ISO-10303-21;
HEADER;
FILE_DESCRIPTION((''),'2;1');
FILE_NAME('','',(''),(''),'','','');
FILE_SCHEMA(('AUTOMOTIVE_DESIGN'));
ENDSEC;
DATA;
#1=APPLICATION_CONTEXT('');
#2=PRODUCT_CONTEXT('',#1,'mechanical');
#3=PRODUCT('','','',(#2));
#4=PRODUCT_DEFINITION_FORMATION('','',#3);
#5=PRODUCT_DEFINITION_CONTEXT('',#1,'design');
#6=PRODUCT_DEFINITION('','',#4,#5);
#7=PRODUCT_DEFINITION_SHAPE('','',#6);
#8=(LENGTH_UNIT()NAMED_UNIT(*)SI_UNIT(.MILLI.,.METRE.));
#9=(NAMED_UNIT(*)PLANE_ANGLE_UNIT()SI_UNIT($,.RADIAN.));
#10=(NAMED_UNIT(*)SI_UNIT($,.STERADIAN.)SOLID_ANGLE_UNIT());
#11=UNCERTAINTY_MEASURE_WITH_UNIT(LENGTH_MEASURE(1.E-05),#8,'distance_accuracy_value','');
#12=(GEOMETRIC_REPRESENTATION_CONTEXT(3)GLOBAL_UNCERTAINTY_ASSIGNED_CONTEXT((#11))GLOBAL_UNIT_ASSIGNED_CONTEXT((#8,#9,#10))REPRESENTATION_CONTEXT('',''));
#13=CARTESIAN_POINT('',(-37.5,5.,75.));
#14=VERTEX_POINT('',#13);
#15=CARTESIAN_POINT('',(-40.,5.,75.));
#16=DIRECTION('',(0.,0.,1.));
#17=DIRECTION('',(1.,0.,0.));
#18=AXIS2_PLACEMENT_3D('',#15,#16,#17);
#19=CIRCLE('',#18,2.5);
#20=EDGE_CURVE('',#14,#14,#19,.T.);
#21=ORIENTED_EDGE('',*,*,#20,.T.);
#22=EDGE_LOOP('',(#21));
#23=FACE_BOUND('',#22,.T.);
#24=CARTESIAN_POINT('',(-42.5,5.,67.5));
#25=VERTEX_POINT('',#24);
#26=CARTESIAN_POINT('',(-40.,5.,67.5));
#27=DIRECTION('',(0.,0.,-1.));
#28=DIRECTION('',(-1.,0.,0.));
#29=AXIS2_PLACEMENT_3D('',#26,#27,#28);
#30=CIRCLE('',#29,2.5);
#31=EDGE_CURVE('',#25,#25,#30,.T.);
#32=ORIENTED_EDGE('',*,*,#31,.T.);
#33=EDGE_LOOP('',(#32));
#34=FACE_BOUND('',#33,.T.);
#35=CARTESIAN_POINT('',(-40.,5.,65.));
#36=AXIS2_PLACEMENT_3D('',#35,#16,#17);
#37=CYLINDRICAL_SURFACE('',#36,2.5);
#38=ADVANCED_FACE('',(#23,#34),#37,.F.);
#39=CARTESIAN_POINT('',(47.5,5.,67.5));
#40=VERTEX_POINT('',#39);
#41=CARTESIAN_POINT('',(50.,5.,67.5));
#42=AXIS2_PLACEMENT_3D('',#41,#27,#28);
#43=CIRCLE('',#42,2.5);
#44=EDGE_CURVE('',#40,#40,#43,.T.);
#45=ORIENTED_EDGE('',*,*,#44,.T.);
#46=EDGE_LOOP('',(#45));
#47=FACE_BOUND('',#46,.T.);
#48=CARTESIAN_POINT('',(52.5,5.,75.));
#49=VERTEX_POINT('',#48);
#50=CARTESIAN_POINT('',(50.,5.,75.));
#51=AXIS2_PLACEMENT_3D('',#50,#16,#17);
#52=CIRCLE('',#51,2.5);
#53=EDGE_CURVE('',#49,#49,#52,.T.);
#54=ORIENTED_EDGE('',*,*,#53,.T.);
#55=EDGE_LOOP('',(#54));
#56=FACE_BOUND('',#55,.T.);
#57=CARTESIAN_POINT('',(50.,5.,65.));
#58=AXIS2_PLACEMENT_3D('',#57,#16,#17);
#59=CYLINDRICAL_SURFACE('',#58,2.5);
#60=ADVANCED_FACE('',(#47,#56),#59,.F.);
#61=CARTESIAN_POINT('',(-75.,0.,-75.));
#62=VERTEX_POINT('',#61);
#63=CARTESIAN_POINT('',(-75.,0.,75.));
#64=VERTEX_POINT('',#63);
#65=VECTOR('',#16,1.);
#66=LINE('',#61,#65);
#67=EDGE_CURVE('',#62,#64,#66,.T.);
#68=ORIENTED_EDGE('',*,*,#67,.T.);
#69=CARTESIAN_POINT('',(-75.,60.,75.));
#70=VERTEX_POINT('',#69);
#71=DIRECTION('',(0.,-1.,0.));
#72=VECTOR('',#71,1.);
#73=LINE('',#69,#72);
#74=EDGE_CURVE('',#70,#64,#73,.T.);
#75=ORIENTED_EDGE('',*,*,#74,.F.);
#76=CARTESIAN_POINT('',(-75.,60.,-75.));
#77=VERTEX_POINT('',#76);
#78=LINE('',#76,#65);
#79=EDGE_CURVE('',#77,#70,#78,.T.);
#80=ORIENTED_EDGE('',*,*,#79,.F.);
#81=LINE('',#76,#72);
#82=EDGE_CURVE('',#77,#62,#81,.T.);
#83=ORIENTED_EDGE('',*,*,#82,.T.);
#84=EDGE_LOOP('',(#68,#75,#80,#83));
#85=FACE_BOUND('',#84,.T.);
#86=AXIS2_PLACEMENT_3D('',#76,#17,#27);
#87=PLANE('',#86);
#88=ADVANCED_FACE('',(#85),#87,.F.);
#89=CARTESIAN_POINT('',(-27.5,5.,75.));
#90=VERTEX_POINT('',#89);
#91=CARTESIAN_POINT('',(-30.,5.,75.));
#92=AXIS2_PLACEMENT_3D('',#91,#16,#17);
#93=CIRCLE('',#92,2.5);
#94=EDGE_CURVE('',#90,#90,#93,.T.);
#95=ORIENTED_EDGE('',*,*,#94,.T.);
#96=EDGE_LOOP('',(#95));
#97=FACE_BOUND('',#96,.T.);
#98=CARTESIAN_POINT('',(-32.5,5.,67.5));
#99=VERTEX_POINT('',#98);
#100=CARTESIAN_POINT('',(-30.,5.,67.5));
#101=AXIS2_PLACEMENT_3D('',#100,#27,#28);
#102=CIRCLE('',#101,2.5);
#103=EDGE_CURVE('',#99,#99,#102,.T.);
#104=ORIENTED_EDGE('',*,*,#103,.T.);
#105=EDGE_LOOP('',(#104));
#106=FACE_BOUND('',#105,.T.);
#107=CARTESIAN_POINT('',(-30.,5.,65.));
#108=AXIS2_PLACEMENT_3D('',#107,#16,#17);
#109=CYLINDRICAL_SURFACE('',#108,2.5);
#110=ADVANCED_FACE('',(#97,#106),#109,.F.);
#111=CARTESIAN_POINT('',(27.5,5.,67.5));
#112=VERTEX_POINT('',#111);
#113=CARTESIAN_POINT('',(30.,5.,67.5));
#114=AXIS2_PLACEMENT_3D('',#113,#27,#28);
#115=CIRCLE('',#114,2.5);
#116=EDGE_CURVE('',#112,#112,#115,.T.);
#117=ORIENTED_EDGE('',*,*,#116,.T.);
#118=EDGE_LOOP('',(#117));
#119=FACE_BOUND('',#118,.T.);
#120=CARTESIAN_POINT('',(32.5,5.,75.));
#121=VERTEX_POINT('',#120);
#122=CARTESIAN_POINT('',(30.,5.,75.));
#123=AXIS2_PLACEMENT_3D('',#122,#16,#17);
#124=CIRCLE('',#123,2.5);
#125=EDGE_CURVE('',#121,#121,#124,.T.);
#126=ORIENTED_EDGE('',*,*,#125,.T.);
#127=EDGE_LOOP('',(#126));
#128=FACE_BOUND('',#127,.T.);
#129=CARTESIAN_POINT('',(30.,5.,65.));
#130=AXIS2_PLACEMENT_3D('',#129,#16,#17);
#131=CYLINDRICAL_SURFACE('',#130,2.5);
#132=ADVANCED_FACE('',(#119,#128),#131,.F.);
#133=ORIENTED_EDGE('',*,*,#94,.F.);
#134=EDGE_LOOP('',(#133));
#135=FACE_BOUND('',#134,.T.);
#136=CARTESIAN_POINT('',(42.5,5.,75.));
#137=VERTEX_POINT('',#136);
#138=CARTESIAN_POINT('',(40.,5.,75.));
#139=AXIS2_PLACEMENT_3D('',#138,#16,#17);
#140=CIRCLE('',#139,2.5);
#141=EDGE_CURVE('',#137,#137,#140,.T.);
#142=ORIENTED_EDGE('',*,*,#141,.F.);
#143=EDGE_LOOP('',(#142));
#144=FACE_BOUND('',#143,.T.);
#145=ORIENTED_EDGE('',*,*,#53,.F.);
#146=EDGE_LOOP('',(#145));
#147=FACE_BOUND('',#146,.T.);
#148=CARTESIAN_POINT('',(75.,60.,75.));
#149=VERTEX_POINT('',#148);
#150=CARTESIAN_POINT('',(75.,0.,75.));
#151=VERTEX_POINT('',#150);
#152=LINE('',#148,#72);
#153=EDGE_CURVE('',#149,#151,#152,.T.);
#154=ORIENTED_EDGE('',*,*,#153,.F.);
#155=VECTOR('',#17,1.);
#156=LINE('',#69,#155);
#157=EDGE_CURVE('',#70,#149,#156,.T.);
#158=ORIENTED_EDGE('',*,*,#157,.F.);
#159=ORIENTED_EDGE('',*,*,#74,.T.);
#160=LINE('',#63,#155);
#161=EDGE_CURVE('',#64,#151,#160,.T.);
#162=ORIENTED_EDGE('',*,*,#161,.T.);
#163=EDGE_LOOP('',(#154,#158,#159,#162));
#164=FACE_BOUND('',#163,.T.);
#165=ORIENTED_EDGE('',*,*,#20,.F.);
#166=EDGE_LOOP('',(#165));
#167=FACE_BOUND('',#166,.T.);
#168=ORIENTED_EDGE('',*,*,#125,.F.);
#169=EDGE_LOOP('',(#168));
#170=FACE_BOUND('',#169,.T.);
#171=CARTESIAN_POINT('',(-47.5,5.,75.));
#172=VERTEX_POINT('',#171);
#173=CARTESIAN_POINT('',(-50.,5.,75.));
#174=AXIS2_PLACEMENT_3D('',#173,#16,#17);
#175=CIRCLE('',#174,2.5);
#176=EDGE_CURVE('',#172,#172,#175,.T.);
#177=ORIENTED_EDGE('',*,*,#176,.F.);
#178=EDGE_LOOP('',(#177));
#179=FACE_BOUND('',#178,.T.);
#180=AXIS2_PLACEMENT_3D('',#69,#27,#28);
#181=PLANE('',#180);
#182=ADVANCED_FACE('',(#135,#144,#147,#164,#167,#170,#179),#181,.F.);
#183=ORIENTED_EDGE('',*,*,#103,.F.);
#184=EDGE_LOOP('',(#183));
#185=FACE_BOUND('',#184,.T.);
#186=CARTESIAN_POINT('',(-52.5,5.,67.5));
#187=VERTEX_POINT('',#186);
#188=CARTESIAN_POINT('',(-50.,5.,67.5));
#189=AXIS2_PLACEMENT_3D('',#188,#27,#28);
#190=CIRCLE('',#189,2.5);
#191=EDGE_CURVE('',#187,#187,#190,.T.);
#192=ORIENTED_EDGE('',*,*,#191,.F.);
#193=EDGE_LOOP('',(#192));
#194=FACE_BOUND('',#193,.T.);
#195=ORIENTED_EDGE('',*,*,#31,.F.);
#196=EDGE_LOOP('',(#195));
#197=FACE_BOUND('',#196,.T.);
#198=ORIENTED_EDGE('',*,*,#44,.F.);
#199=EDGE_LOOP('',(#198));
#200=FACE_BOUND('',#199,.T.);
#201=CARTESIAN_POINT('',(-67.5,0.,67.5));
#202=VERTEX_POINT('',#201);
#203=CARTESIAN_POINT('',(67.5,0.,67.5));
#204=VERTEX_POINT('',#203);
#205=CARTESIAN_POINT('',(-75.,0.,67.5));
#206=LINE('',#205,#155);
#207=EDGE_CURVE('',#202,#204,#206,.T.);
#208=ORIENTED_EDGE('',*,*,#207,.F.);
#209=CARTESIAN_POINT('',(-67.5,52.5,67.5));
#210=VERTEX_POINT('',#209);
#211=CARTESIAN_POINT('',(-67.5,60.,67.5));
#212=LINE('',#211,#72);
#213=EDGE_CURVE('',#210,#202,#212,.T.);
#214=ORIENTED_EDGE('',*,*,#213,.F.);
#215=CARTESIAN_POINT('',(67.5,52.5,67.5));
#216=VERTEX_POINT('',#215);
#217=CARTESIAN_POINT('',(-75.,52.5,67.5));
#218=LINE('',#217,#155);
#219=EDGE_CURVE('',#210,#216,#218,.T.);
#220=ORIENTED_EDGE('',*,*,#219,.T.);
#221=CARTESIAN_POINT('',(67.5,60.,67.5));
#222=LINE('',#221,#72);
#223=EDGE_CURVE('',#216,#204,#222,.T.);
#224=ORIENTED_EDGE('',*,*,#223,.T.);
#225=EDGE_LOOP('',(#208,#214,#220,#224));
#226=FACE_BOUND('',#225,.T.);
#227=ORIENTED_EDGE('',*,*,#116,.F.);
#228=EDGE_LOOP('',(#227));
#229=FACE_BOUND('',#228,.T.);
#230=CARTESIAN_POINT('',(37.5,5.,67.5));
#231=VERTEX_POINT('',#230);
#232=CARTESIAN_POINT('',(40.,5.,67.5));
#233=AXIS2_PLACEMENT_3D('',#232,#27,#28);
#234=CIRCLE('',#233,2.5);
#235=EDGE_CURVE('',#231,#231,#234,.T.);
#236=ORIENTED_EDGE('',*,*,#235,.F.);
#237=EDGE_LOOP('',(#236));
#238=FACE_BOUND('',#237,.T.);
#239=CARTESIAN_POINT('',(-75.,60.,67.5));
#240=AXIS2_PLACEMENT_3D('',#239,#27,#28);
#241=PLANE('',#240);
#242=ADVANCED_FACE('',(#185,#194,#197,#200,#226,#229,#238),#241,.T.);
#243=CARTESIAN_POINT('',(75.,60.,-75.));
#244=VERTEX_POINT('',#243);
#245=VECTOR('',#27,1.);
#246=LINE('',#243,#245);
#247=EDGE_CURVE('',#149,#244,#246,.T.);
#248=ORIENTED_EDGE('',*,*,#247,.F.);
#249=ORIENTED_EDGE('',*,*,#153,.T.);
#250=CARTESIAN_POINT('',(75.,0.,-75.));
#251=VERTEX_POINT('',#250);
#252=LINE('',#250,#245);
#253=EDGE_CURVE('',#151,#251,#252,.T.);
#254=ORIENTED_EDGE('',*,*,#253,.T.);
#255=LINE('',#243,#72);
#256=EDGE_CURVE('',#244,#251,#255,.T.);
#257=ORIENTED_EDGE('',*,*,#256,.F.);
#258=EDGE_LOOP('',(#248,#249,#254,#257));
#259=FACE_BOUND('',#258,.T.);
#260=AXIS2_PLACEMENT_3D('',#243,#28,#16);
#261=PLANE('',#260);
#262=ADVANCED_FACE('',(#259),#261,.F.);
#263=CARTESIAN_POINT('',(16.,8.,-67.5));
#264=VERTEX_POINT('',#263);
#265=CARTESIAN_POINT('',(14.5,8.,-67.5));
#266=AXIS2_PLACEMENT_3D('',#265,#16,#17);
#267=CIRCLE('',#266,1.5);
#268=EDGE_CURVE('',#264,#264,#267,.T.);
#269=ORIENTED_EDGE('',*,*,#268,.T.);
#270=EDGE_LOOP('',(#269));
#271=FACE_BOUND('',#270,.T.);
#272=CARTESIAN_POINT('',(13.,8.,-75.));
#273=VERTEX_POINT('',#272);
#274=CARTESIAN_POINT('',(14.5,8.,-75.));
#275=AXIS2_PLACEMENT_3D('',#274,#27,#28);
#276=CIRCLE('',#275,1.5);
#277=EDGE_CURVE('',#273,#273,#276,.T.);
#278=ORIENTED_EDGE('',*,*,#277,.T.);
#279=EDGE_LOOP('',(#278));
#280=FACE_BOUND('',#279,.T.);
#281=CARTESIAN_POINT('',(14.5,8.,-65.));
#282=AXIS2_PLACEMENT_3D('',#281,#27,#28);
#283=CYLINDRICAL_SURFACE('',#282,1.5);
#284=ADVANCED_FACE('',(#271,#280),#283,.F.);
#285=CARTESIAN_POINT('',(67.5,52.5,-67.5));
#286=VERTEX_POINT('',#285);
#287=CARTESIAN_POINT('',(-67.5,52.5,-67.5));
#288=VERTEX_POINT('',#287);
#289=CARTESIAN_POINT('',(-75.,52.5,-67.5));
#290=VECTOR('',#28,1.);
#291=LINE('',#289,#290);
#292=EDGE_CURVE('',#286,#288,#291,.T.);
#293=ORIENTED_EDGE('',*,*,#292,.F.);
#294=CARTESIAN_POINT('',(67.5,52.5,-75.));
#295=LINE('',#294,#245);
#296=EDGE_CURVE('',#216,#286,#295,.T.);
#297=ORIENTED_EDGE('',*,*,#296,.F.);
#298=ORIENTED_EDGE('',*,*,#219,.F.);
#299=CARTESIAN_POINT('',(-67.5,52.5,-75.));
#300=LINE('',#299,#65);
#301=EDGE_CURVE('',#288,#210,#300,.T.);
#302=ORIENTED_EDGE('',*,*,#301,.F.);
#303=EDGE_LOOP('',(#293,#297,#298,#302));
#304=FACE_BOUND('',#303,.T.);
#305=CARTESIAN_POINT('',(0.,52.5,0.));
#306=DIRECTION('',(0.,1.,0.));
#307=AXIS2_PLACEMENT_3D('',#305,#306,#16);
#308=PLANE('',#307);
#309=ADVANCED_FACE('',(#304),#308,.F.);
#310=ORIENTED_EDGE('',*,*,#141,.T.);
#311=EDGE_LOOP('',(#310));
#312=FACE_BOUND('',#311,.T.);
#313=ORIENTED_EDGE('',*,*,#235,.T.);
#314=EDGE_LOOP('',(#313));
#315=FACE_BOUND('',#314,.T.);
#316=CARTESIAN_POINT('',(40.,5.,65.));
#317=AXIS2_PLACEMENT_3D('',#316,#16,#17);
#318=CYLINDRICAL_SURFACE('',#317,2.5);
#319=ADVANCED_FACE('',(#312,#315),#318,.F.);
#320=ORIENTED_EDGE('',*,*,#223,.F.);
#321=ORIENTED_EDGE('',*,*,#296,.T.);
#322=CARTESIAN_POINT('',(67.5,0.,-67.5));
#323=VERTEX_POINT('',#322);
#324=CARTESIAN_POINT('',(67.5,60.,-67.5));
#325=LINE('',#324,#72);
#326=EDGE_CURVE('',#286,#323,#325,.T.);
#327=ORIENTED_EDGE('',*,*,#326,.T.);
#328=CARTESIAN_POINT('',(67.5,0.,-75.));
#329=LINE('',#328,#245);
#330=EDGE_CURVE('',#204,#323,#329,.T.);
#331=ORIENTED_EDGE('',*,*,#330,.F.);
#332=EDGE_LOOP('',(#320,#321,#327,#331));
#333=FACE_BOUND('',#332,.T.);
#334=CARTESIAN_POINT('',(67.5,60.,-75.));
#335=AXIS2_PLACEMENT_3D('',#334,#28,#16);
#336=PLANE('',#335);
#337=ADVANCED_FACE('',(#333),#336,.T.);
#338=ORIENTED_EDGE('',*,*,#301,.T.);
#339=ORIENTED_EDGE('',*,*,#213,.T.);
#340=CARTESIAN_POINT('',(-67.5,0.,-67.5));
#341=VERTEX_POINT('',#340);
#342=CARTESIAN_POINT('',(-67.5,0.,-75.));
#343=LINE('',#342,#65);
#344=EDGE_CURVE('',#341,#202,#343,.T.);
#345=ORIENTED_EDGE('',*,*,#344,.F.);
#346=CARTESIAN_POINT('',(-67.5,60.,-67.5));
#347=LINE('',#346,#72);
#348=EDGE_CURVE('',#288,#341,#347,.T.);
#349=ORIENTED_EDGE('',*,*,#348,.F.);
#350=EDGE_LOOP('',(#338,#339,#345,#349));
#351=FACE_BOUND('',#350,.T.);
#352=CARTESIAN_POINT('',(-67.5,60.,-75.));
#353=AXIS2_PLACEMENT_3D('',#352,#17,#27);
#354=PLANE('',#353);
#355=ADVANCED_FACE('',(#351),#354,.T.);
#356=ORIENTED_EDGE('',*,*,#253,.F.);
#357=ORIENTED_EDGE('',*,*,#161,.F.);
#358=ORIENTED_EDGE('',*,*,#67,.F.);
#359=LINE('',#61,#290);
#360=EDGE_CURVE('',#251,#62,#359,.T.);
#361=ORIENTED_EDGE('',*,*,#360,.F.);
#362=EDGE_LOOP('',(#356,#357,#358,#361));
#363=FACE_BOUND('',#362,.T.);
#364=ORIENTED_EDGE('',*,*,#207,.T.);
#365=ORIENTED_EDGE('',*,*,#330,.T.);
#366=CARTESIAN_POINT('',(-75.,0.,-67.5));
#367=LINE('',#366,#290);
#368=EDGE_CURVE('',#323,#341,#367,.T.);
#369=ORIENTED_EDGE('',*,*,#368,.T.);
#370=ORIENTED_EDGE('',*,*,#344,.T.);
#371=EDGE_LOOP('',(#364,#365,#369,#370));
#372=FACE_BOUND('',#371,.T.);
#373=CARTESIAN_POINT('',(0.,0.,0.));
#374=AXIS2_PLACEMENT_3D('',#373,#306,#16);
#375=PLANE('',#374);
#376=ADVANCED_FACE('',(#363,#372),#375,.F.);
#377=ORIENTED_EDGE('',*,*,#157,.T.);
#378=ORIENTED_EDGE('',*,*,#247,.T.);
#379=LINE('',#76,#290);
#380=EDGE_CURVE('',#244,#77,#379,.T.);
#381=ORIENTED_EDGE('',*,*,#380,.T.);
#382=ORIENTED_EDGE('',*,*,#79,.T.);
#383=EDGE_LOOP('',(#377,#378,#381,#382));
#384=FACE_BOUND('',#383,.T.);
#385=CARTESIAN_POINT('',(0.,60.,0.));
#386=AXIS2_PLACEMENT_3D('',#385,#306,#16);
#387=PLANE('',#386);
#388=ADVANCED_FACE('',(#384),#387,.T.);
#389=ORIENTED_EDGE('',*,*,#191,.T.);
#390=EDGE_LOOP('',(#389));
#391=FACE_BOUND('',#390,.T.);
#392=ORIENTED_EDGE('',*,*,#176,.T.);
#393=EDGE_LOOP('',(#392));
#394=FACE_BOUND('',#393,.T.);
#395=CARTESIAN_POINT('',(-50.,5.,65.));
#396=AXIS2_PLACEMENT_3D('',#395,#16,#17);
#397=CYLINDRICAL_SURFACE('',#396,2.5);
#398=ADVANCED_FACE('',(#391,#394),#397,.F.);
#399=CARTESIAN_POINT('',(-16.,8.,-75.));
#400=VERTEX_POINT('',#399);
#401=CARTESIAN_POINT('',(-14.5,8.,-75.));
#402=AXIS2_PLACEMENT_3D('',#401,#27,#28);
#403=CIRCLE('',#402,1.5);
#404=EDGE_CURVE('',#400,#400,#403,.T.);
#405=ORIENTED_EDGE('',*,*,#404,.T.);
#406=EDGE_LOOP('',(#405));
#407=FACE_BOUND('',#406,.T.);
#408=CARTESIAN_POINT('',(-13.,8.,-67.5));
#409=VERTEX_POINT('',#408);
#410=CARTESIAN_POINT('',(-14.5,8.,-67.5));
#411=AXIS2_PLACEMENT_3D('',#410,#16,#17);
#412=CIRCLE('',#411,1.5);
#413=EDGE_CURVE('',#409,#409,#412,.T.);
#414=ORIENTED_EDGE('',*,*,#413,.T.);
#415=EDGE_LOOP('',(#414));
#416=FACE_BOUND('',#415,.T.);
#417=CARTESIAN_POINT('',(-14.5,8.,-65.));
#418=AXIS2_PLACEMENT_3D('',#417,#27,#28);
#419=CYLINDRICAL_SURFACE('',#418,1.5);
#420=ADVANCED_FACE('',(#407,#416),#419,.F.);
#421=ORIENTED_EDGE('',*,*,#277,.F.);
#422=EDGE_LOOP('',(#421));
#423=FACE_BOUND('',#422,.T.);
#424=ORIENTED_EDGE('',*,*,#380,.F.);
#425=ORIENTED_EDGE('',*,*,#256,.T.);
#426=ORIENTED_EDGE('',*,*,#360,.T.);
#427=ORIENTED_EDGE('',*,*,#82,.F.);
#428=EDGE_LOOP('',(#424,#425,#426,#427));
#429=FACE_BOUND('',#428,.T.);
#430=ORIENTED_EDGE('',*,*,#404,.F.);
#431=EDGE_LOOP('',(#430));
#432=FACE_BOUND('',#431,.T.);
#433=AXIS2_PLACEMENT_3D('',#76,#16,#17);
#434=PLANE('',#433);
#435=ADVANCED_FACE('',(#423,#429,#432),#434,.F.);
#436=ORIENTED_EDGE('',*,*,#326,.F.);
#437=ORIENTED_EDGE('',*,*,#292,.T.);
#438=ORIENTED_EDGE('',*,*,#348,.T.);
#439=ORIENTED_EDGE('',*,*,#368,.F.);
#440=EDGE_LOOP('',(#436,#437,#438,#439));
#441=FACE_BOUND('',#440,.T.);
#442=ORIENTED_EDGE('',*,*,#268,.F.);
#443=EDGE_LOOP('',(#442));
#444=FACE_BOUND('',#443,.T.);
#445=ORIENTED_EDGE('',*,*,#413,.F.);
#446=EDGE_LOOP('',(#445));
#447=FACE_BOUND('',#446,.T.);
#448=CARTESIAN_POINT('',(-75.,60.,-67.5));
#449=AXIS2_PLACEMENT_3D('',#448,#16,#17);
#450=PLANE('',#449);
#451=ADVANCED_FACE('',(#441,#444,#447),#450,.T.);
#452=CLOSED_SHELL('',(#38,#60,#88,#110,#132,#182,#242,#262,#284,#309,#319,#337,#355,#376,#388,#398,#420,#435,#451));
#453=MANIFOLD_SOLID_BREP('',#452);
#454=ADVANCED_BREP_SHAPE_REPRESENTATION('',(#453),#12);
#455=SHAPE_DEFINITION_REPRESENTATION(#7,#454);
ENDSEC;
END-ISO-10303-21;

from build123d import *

# Parameters (mm, degrees)
SKETCH1_W           = 150
SKETCH1_H           = 150
BOSS_EXTRUDE1_DEPTH = 60
SHELL1_T            = -7.5
SKETCH5_R           = 2.5
CUT_EXTRUDE2_DEPTH  = 10
SKETCH6_R           = 1.5
CUT_EXTRUDE3_DEPTH  = 10


with BuildPart() as part:
    # Sketch1 → Boss-Extrude1 (new body)
    with BuildSketch(Plane(origin=(0, 0, 0), x_dir=(1, 0, 0), z_dir=(0, 1, 0))):
        Rectangle(SKETCH1_W, SKETCH1_H)
    extrude(amount=BOSS_EXTRUDE1_DEPTH)

    # Shell1
    shell1_openings = [part.faces().sort_by_distance(p)[0] for p in [
        (0, 0, 0),
    ]]
    offset(amount=SHELL1_T, openings=shell1_openings, kind=Kind.INTERSECTION)

    # Sketch5 → Cut-Extrude2 (cut)
    with BuildSketch(Plane.XY.offset(75)):
        with Locations((-50, 5)):
            Circle(SKETCH5_R)
        with Locations((-40, 5)):
            Circle(SKETCH5_R)
        with Locations((-30, 5)):
            Circle(SKETCH5_R)
        with Locations((30, 5)):
            Circle(SKETCH5_R)
        with Locations((40, 5)):
            Circle(SKETCH5_R)
        with Locations((50, 5)):
            Circle(SKETCH5_R)
    extrude(amount=-CUT_EXTRUDE2_DEPTH, mode=Mode.SUBTRACT)

    # Sketch6 → Cut-Extrude3 (cut)
    with BuildSketch(Plane(origin=(0, 0, -75), x_dir=(-1, 0, 0), z_dir=(0, 0, -1))):
        with Locations((-14.5, 8)):
            Circle(SKETCH6_R)
        with Locations((14.5, 8)):
            Circle(SKETCH6_R)
    extrude(amount=-CUT_EXTRUDE3_DEPTH, mode=Mode.SUBTRACT)


solid = part.part
